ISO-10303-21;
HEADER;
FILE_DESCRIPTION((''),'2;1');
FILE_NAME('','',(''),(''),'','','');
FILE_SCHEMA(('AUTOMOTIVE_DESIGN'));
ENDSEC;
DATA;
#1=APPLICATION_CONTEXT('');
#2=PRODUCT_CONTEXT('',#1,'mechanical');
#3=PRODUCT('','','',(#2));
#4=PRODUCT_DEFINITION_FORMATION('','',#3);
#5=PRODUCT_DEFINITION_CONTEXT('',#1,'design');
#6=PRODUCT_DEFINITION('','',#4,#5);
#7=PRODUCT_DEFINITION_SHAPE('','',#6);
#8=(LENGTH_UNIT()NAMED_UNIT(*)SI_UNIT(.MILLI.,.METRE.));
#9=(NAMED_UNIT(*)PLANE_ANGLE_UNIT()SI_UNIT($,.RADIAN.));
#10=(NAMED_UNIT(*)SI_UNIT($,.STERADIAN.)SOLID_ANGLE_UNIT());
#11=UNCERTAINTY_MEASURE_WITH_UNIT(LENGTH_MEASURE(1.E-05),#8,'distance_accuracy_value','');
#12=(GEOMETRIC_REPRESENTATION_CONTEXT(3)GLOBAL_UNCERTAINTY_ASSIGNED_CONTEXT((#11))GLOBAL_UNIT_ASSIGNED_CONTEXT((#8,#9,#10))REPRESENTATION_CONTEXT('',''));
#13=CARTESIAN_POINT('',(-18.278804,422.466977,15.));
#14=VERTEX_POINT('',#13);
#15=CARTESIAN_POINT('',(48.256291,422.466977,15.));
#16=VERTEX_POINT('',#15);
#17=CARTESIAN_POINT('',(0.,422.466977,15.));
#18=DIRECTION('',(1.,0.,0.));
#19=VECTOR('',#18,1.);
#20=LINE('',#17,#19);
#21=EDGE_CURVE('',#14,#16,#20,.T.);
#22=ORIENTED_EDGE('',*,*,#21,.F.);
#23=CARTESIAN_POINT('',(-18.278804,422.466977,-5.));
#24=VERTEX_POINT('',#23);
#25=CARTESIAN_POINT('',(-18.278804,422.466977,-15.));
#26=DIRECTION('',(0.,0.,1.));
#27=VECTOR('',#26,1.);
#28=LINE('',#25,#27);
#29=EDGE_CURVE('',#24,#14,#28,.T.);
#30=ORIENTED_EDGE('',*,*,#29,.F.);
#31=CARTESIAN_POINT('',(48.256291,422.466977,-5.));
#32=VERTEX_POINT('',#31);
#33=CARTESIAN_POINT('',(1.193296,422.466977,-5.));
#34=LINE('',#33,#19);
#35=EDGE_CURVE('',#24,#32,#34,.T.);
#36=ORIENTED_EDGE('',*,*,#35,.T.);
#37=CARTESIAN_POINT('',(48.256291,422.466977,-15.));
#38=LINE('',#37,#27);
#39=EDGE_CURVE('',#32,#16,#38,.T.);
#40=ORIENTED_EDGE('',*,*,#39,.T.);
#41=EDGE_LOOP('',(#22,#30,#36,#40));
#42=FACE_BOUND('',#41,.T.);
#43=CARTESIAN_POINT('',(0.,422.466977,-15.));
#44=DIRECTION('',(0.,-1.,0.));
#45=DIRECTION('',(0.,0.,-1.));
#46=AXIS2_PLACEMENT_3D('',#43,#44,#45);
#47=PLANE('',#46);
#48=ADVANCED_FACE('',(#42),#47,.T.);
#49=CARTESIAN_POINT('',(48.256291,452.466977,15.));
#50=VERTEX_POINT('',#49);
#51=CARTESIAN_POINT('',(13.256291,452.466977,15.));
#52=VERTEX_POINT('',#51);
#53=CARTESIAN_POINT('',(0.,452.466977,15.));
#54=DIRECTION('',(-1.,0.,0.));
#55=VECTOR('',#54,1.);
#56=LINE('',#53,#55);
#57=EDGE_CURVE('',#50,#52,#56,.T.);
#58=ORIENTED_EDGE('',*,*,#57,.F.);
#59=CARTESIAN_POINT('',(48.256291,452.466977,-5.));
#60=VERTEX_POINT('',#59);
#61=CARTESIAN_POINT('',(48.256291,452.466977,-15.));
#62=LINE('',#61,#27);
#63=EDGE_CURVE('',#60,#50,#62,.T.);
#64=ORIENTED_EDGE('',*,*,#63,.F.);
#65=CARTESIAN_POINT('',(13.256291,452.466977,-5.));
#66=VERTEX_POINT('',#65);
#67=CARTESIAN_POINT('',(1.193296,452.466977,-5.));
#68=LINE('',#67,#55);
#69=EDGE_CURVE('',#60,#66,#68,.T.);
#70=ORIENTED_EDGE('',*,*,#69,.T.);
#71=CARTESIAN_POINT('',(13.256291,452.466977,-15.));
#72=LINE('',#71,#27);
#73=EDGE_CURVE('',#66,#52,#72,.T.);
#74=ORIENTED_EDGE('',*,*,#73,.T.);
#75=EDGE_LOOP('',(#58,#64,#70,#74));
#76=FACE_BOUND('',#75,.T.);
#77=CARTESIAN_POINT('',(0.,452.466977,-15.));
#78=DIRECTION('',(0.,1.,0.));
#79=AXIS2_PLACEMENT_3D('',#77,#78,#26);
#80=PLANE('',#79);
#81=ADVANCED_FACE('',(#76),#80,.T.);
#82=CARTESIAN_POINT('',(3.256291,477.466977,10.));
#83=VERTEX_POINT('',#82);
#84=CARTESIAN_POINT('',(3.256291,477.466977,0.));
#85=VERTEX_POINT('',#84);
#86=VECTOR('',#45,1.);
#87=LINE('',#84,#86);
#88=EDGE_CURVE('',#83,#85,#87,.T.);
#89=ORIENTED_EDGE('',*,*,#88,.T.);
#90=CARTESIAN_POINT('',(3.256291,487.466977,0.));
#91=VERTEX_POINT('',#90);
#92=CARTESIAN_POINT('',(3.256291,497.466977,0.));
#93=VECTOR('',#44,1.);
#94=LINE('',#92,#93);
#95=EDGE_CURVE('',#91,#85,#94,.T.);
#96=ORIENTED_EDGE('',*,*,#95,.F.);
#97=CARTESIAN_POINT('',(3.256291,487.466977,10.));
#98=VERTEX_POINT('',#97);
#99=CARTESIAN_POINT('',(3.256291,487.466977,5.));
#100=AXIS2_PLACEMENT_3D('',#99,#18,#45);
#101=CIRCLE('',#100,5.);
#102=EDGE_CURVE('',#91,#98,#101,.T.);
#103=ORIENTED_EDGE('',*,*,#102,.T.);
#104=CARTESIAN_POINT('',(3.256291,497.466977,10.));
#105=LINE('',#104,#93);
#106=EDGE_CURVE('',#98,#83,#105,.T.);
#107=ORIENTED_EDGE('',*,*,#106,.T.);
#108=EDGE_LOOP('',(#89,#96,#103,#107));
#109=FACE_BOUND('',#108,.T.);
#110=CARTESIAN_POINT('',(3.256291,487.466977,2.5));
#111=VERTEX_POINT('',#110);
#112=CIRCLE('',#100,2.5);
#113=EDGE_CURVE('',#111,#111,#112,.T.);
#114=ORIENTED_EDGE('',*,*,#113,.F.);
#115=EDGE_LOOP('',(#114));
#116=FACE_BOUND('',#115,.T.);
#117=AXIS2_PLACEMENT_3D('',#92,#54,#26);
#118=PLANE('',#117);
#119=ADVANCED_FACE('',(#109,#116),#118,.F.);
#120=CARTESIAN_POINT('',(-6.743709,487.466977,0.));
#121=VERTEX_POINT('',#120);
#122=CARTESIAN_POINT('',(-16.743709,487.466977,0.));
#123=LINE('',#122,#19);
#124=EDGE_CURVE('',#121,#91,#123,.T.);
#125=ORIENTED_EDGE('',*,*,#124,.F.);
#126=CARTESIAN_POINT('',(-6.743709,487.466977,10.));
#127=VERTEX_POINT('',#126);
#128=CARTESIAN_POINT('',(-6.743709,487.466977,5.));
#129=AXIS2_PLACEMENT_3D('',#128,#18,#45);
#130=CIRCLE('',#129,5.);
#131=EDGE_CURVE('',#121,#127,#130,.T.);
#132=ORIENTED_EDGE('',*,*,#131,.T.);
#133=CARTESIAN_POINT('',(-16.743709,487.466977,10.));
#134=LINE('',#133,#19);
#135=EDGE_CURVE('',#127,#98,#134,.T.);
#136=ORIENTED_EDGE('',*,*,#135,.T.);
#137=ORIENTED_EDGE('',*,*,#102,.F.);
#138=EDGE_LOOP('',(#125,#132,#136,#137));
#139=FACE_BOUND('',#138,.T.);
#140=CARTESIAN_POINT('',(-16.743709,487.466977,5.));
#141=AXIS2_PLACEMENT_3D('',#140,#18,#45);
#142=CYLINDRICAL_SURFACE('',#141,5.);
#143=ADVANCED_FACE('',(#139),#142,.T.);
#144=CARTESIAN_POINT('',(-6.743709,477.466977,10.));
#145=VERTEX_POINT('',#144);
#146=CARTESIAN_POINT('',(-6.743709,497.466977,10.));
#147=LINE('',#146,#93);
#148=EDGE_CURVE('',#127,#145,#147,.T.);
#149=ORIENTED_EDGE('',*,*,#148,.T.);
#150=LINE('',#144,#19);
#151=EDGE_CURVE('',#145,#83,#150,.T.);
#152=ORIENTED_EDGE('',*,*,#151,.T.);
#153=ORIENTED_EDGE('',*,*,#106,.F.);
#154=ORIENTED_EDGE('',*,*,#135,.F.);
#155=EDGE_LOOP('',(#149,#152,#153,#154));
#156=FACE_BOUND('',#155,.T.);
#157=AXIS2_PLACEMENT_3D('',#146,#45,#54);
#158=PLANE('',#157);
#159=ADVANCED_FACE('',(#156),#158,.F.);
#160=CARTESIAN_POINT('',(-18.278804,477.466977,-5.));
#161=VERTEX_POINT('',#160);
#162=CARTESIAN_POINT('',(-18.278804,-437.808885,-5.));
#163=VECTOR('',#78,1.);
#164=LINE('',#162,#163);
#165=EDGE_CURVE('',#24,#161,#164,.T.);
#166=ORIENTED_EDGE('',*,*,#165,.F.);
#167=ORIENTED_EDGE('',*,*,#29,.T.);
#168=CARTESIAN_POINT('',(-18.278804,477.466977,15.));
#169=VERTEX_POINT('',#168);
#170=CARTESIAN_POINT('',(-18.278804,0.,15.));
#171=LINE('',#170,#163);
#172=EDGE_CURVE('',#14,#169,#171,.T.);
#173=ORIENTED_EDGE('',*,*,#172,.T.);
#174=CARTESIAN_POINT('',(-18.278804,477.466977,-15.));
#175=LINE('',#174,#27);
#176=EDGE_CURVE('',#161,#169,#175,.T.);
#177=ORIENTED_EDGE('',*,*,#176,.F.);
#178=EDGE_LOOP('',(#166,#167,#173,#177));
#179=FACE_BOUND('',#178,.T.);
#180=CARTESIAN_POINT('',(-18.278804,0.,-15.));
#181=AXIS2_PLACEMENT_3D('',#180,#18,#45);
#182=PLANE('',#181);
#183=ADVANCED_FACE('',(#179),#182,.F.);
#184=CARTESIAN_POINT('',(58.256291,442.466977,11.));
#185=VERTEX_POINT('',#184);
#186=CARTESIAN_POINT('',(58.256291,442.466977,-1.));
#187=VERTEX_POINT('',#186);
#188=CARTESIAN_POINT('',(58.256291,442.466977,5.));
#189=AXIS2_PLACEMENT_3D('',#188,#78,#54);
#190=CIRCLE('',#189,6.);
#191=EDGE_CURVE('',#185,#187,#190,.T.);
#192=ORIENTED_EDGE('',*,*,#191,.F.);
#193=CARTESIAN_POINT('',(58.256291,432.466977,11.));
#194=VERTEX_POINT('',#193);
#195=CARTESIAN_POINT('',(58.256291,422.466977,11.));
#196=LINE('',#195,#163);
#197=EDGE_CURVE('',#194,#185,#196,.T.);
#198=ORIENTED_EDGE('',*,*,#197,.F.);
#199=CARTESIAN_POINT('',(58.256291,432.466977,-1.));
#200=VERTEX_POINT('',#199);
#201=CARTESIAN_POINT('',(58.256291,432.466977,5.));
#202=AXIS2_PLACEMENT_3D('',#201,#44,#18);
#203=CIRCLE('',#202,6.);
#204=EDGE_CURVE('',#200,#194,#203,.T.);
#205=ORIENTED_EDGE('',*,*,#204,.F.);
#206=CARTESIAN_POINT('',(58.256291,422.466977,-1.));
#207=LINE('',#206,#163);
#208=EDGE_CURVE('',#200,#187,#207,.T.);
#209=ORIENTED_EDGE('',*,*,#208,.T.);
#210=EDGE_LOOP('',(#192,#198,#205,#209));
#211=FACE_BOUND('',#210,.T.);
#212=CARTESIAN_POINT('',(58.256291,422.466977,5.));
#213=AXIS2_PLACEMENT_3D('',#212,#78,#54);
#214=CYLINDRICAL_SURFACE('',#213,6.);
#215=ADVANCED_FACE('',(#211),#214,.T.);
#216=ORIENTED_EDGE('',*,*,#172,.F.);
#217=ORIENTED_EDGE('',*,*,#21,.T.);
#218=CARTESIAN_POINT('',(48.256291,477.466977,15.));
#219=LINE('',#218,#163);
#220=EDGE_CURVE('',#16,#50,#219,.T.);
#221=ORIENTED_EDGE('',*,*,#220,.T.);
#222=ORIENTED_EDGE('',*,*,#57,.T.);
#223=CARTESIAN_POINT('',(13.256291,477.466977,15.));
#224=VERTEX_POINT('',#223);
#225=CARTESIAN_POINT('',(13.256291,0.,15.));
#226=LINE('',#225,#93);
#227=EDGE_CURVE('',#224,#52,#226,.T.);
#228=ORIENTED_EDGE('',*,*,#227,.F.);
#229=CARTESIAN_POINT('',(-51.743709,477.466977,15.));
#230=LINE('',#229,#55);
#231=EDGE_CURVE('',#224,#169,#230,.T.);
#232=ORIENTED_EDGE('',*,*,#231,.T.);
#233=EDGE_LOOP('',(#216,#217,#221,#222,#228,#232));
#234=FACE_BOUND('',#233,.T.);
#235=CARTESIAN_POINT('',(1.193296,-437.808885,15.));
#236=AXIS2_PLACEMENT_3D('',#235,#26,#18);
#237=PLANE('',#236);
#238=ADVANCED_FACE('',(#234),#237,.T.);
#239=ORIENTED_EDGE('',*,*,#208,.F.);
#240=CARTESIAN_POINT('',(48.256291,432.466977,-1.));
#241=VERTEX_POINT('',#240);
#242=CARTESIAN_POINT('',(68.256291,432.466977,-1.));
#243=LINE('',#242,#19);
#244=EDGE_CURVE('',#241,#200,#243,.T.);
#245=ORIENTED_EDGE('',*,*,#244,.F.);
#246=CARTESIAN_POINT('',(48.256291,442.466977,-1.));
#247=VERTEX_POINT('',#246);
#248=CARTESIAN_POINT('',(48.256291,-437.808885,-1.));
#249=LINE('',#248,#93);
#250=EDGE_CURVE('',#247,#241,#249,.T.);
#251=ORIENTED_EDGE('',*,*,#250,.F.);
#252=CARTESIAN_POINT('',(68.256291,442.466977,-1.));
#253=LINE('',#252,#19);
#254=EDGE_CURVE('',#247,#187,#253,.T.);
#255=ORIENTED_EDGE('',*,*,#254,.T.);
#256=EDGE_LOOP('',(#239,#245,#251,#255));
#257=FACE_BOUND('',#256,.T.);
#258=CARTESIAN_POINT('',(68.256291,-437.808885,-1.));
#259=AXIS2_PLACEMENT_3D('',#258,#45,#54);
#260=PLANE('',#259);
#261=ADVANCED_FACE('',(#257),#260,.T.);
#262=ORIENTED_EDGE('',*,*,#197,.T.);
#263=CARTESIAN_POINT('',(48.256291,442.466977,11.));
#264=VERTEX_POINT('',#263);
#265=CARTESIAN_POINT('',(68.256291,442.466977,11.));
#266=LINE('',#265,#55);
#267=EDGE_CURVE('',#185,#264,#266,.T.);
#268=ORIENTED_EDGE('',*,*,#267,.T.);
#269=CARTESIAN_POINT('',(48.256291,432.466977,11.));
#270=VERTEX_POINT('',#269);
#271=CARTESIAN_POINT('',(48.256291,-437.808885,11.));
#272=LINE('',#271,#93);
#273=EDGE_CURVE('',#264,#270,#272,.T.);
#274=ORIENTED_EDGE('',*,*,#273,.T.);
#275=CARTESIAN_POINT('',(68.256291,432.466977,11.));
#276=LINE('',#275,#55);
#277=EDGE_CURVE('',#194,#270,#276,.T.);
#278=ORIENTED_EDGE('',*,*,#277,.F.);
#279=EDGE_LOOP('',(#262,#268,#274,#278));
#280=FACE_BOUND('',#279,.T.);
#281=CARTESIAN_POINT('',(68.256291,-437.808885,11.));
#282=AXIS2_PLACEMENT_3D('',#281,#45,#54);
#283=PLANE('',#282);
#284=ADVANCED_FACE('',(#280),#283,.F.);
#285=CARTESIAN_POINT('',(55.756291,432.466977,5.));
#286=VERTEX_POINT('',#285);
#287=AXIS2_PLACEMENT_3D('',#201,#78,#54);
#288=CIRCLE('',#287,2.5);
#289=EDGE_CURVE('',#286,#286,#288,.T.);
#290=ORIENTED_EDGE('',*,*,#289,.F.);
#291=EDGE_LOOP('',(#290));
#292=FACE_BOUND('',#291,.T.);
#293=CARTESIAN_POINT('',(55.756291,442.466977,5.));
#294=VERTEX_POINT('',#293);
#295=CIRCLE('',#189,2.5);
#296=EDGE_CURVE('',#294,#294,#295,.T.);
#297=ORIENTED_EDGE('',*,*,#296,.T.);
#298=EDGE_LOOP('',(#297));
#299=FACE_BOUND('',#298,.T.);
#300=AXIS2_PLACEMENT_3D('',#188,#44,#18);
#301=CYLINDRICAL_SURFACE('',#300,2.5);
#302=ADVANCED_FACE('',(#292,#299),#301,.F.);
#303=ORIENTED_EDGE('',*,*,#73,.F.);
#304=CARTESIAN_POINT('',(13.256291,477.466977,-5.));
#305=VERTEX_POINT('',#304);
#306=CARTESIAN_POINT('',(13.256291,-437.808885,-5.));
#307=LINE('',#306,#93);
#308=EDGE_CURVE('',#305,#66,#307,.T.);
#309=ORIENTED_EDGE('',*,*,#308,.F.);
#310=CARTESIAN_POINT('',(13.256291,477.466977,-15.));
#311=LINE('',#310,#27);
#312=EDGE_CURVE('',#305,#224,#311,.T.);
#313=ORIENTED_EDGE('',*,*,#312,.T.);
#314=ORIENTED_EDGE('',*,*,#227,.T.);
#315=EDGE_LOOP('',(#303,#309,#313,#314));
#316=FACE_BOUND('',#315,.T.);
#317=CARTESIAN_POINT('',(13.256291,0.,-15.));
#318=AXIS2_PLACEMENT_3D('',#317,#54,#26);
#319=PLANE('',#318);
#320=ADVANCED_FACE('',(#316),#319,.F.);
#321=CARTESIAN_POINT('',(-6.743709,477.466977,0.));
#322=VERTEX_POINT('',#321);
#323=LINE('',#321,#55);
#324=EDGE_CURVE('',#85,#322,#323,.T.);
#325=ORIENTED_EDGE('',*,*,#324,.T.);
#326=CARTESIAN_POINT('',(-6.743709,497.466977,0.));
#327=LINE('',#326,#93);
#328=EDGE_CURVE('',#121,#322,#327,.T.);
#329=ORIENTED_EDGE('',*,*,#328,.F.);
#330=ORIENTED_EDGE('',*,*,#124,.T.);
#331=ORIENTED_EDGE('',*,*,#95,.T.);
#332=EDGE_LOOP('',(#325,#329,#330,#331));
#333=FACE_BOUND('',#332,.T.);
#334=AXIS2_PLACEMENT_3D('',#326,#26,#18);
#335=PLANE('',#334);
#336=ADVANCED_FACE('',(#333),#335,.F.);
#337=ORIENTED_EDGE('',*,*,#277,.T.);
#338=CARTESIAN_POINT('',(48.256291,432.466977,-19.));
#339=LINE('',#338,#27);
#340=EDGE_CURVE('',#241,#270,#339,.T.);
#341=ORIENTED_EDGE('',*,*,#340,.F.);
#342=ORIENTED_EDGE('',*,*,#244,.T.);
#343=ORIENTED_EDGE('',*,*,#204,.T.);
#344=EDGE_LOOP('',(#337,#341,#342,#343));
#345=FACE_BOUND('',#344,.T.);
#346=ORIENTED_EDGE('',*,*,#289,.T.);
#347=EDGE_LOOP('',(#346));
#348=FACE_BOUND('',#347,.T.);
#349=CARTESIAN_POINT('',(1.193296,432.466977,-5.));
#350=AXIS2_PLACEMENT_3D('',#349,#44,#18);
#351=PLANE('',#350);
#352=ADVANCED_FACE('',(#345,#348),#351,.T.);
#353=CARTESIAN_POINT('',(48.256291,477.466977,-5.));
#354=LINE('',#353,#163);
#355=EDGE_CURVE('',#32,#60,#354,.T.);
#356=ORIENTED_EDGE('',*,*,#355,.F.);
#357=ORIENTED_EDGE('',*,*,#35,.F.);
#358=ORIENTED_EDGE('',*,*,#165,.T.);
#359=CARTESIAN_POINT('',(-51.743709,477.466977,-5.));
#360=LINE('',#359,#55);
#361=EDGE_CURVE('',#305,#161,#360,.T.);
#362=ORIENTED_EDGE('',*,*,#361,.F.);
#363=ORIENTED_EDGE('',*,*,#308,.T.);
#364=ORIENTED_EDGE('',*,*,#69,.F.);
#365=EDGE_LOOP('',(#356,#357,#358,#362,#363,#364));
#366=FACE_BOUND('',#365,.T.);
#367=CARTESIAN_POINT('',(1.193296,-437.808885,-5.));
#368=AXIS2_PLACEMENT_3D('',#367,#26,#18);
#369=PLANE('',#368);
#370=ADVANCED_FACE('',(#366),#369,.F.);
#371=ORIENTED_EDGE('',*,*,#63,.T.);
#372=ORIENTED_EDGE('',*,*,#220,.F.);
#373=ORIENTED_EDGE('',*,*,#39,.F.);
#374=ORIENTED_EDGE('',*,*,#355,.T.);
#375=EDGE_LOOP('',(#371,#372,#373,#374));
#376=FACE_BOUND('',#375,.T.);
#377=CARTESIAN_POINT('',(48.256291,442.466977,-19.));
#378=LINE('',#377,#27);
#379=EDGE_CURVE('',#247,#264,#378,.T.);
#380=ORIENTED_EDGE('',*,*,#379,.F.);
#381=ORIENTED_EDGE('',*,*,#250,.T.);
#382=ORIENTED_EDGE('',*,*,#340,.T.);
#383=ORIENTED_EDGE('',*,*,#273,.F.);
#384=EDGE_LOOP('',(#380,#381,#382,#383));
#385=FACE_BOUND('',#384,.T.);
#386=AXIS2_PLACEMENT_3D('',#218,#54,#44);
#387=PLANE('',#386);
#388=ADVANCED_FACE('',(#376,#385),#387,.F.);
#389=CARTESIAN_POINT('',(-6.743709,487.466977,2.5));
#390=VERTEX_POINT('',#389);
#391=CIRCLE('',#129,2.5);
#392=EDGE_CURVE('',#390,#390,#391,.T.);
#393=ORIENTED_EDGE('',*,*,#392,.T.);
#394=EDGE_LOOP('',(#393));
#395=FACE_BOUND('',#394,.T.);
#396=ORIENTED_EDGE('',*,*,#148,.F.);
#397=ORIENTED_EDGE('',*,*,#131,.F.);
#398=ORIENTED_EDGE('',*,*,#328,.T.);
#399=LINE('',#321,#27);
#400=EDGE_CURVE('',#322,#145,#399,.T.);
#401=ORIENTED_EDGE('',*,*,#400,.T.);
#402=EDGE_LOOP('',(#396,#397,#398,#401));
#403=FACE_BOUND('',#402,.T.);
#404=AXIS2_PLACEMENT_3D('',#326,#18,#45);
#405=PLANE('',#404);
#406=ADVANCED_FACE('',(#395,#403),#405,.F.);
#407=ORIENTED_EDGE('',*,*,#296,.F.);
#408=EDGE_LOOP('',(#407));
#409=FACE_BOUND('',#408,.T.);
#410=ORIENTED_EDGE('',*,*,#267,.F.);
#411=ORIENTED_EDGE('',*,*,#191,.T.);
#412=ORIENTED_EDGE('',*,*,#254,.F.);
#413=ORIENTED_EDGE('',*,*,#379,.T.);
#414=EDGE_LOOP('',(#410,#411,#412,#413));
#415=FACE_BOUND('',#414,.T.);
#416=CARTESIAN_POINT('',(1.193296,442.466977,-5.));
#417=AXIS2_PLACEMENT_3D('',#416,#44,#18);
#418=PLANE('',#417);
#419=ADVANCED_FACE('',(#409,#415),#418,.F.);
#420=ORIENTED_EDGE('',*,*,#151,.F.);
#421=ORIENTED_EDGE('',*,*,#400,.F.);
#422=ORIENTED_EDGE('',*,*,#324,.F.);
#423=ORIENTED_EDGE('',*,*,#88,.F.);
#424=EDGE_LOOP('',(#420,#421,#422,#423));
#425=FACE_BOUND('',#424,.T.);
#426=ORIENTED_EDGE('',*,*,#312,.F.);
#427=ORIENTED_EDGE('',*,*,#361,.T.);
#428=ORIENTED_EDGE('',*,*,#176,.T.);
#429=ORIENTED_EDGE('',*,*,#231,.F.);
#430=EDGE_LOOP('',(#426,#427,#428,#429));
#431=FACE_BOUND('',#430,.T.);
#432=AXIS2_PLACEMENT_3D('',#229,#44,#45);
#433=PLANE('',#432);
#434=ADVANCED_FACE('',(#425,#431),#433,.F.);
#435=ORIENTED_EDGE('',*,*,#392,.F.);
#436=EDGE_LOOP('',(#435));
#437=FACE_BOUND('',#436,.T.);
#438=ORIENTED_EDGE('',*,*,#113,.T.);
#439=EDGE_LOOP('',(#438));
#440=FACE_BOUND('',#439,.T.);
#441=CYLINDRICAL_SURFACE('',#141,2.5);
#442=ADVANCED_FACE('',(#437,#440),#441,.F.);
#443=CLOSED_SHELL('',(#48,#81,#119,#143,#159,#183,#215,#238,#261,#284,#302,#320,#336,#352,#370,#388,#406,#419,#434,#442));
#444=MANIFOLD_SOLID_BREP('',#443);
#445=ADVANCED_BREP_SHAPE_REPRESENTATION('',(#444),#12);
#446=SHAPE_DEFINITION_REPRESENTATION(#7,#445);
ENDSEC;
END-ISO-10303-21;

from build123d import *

# Parameters (mm, degrees)
SKETCH1_W           = 50
SKETCH1_H           = 40
BOSS_EXTRUDE1_DEPTH = 10
SKETCH5_W           = 6
SKETCH5_H           = 5
BOSS_EXTRUDE3_DEPTH = 10
SKETCH6_R           = 2
CUT_EXTRUDE1_DEPTH  = 20
SKETCH8_W           = 10
SKETCH8_H           = 40
CUT_EXTRUDE2_DEPTH  = 25
SKETCH9_W           = 10
SKETCH9_H           = 6
SKETCH9_R           = 1.25
BOSS_EXTRUDE4_DEPTH = 5
SKETCH10_W          = 10
SKETCH10_H          = 5
CUT_EXTRUDE3_DEPTH  = 15
SKETCH11_W          = 5
SKETCH11_H          = 5
BOSS_EXTRUDE5_DEPTH = 10
SKETCH12_R          = 1.25
CUT_EXTRUDE4_DEPTH  = 10
CUT_EXTRUDE5_DEPTH  = 10
CUT_EXTRUDE6_DEPTH  = 10
SCALE1_SCALE        = 2
SKETCH15_W          = 33.464905159
SKETCH15_H          = 55
SKETCH15_W_2        = 35
SKETCH15_H_2        = 25
CUT_EXTRUDE7_DEPTH  = 30


with BuildPart() as part:
    # Sketch1 → Boss-Extrude1 (new body)
    with BuildSketch(Plane(origin=(669.84184187, 0, 0), x_dir=(1, 0, 0), z_dir=(0, 0, 1))):
        with Locations((-671.310344828, 437.637931034)):
            Rectangle(SKETCH1_W, SKETCH1_H)
    boss_extrude1 = extrude(amount=BOSS_EXTRUDE1_DEPTH)

    # Sketch5 → Boss-Extrude3 (add)
    with BuildSketch(Plane(origin=(23.531497042, 0, 0), x_dir=(0, 0, -1), z_dir=(1, 0, 0))):
        with Locations((-5, 442.637931034)):
            Rectangle(SKETCH5_W, SKETCH5_H)
        with Locations((-5, 432.637931034)):
            Rectangle(SKETCH5_W, SKETCH5_H)
    extrude(amount=BOSS_EXTRUDE3_DEPTH)

    # Sketch6 → Cut-Extrude1 (cut)
    with BuildSketch(Plane(origin=(669.84184187, 445.137931034, 0), x_dir=(1, 0, 0), z_dir=(0, 1, 0))):
        with Locations(Location((-641.310344828, -5, 0), (0, 0, 180))):
            Circle(SKETCH6_R)
    extrude(amount=-CUT_EXTRUDE1_DEPTH, mode=Mode.SUBTRACT)

    # Sketch8 → Cut-Extrude2 (cut)
    with BuildSketch(Plane.ZY.offset(26.468502958)):
        with Locations((5, 437.637931034)):
            Rectangle(SKETCH8_W, SKETCH8_H)
    extrude(amount=-CUT_EXTRUDE2_DEPTH, mode=Mode.SUBTRACT)

    # Sketch9 → Boss-Extrude4 (add)
    with BuildSketch(Plane(origin=(0, 435.137931034, 0), x_dir=(1, 0, 0), z_dir=(0, 1, 0))):
        with Locations((28.531497042, -5)):
            Rectangle(SKETCH9_W, SKETCH9_H)
        with Locations(Location((28.531497042, -5, 0), (0, 0, 180))):
            Circle(SKETCH9_R, mode=Mode.SUBTRACT)
    extrude(amount=BOSS_EXTRUDE4_DEPTH)

    # Sketch10 → Cut-Extrude3 (cut)
    with BuildSketch(Plane.XY.offset(8)):
        with Locations((28.531497042, 432.637931034)):
            Rectangle(SKETCH10_W, SKETCH10_H)
        with Locations((28.531497042, 442.637931034)):
            Rectangle(SKETCH10_W, SKETCH10_H)
    extrude(amount=-CUT_EXTRUDE3_DEPTH, mode=Mode.SUBTRACT)

    # Mirror1: Boss-Extrude1 across plane
    add(boss_extrude1.mirror(Plane(origin=(-1.468502958, 0, 0), x_dir=(0, 0, 1), z_dir=(1, 0, 0))))

    # Sketch11 → Boss-Extrude5 (add)
    with BuildSketch(Plane(origin=(0, 457.637931034, 0), x_dir=(1, 0, 0), z_dir=(0, 1, 0))):
        with Locations((-1.468502958, -5)):
            Rectangle(SKETCH11_W, SKETCH11_H)
    extrude(amount=BOSS_EXTRUDE5_DEPTH)

    # Sketch12 → Cut-Extrude4 (cut)
    with BuildSketch(Plane(origin=(1.031497042, 0, 0), x_dir=(0, 0, -1), z_dir=(1, 0, 0))):
        with Locations((-5, 462.637931034)):
            Circle(SKETCH12_R)
    extrude(amount=-CUT_EXTRUDE4_DEPTH, mode=Mode.SUBTRACT)

    # Sketch13 → Cut-Extrude5 (cut)
    with BuildSketch(Plane(origin=(1.031497042, 0, 0), x_dir=(0, 0, -1), z_dir=(1, 0, 0))):
        with BuildLine():
            Line((-7.5, 467.637931034), (-7.5, 462.637931034))
            ThreePointArc((-7.5, 462.637931034), (-5, 465.137931034), (-2.5, 462.637931034))
            Line((-2.5, 462.637931034), (-2.5, 467.637931034))
            Line((-2.5, 467.637931034), (-7.5, 467.637931034))
        make_face()
    extrude(amount=-CUT_EXTRUDE5_DEPTH, mode=Mode.SUBTRACT)

    # Sketch14 → Cut-Extrude6 (cut)
    with BuildSketch(Plane(origin=(0, 440.137931034, 0), x_dir=(1, 0, 0), z_dir=(0, 1, 0))):
        with BuildLine():
            Line((33.531497042, -2), (28.531497042, -2))
            ThreePointArc((28.531497042, -2), (30.652817386, -2.878679656), (31.531497042, -5))
            ThreePointArc((31.531497042, -5), (30.652817386, -7.121320344), (28.531497042, -8))
            Line((28.531497042, -8), (33.531497042, -8))
            Line((33.531497042, -8), (33.531497042, -2))
        make_face()
    extrude(amount=-CUT_EXTRUDE6_DEPTH, mode=Mode.SUBTRACT)


with BuildPart() as part_1:
    # Scale1: scaled about (-1.193296494, 437.808884999, 5)
    add(part.part.scale(SCALE1_SCALE).moved(Location((1.193296494, -437.808884999, -5))))

    # Sketch15 → Cut-Extrude7 (cut)
    with BuildSketch(Plane.XY.offset(15)):
        with Locations((-35.011256843, 449.96697707)):
            Rectangle(SKETCH15_W, SKETCH15_H)
        Polygon((-51.743709422, 422.46697707), (-51.743709422, 397.46697707), (48.256290578, 397.46697707), (48.256290578, 422.46697707), (-18.278804263, 422.46697707), align=None)
        with Locations((30.756290578, 464.96697707)):
            Rectangle(SKETCH15_W_2, SKETCH15_H_2)
    extrude(amount=-CUT_EXTRUDE7_DEPTH, mode=Mode.SUBTRACT)


solid = part_1.part
